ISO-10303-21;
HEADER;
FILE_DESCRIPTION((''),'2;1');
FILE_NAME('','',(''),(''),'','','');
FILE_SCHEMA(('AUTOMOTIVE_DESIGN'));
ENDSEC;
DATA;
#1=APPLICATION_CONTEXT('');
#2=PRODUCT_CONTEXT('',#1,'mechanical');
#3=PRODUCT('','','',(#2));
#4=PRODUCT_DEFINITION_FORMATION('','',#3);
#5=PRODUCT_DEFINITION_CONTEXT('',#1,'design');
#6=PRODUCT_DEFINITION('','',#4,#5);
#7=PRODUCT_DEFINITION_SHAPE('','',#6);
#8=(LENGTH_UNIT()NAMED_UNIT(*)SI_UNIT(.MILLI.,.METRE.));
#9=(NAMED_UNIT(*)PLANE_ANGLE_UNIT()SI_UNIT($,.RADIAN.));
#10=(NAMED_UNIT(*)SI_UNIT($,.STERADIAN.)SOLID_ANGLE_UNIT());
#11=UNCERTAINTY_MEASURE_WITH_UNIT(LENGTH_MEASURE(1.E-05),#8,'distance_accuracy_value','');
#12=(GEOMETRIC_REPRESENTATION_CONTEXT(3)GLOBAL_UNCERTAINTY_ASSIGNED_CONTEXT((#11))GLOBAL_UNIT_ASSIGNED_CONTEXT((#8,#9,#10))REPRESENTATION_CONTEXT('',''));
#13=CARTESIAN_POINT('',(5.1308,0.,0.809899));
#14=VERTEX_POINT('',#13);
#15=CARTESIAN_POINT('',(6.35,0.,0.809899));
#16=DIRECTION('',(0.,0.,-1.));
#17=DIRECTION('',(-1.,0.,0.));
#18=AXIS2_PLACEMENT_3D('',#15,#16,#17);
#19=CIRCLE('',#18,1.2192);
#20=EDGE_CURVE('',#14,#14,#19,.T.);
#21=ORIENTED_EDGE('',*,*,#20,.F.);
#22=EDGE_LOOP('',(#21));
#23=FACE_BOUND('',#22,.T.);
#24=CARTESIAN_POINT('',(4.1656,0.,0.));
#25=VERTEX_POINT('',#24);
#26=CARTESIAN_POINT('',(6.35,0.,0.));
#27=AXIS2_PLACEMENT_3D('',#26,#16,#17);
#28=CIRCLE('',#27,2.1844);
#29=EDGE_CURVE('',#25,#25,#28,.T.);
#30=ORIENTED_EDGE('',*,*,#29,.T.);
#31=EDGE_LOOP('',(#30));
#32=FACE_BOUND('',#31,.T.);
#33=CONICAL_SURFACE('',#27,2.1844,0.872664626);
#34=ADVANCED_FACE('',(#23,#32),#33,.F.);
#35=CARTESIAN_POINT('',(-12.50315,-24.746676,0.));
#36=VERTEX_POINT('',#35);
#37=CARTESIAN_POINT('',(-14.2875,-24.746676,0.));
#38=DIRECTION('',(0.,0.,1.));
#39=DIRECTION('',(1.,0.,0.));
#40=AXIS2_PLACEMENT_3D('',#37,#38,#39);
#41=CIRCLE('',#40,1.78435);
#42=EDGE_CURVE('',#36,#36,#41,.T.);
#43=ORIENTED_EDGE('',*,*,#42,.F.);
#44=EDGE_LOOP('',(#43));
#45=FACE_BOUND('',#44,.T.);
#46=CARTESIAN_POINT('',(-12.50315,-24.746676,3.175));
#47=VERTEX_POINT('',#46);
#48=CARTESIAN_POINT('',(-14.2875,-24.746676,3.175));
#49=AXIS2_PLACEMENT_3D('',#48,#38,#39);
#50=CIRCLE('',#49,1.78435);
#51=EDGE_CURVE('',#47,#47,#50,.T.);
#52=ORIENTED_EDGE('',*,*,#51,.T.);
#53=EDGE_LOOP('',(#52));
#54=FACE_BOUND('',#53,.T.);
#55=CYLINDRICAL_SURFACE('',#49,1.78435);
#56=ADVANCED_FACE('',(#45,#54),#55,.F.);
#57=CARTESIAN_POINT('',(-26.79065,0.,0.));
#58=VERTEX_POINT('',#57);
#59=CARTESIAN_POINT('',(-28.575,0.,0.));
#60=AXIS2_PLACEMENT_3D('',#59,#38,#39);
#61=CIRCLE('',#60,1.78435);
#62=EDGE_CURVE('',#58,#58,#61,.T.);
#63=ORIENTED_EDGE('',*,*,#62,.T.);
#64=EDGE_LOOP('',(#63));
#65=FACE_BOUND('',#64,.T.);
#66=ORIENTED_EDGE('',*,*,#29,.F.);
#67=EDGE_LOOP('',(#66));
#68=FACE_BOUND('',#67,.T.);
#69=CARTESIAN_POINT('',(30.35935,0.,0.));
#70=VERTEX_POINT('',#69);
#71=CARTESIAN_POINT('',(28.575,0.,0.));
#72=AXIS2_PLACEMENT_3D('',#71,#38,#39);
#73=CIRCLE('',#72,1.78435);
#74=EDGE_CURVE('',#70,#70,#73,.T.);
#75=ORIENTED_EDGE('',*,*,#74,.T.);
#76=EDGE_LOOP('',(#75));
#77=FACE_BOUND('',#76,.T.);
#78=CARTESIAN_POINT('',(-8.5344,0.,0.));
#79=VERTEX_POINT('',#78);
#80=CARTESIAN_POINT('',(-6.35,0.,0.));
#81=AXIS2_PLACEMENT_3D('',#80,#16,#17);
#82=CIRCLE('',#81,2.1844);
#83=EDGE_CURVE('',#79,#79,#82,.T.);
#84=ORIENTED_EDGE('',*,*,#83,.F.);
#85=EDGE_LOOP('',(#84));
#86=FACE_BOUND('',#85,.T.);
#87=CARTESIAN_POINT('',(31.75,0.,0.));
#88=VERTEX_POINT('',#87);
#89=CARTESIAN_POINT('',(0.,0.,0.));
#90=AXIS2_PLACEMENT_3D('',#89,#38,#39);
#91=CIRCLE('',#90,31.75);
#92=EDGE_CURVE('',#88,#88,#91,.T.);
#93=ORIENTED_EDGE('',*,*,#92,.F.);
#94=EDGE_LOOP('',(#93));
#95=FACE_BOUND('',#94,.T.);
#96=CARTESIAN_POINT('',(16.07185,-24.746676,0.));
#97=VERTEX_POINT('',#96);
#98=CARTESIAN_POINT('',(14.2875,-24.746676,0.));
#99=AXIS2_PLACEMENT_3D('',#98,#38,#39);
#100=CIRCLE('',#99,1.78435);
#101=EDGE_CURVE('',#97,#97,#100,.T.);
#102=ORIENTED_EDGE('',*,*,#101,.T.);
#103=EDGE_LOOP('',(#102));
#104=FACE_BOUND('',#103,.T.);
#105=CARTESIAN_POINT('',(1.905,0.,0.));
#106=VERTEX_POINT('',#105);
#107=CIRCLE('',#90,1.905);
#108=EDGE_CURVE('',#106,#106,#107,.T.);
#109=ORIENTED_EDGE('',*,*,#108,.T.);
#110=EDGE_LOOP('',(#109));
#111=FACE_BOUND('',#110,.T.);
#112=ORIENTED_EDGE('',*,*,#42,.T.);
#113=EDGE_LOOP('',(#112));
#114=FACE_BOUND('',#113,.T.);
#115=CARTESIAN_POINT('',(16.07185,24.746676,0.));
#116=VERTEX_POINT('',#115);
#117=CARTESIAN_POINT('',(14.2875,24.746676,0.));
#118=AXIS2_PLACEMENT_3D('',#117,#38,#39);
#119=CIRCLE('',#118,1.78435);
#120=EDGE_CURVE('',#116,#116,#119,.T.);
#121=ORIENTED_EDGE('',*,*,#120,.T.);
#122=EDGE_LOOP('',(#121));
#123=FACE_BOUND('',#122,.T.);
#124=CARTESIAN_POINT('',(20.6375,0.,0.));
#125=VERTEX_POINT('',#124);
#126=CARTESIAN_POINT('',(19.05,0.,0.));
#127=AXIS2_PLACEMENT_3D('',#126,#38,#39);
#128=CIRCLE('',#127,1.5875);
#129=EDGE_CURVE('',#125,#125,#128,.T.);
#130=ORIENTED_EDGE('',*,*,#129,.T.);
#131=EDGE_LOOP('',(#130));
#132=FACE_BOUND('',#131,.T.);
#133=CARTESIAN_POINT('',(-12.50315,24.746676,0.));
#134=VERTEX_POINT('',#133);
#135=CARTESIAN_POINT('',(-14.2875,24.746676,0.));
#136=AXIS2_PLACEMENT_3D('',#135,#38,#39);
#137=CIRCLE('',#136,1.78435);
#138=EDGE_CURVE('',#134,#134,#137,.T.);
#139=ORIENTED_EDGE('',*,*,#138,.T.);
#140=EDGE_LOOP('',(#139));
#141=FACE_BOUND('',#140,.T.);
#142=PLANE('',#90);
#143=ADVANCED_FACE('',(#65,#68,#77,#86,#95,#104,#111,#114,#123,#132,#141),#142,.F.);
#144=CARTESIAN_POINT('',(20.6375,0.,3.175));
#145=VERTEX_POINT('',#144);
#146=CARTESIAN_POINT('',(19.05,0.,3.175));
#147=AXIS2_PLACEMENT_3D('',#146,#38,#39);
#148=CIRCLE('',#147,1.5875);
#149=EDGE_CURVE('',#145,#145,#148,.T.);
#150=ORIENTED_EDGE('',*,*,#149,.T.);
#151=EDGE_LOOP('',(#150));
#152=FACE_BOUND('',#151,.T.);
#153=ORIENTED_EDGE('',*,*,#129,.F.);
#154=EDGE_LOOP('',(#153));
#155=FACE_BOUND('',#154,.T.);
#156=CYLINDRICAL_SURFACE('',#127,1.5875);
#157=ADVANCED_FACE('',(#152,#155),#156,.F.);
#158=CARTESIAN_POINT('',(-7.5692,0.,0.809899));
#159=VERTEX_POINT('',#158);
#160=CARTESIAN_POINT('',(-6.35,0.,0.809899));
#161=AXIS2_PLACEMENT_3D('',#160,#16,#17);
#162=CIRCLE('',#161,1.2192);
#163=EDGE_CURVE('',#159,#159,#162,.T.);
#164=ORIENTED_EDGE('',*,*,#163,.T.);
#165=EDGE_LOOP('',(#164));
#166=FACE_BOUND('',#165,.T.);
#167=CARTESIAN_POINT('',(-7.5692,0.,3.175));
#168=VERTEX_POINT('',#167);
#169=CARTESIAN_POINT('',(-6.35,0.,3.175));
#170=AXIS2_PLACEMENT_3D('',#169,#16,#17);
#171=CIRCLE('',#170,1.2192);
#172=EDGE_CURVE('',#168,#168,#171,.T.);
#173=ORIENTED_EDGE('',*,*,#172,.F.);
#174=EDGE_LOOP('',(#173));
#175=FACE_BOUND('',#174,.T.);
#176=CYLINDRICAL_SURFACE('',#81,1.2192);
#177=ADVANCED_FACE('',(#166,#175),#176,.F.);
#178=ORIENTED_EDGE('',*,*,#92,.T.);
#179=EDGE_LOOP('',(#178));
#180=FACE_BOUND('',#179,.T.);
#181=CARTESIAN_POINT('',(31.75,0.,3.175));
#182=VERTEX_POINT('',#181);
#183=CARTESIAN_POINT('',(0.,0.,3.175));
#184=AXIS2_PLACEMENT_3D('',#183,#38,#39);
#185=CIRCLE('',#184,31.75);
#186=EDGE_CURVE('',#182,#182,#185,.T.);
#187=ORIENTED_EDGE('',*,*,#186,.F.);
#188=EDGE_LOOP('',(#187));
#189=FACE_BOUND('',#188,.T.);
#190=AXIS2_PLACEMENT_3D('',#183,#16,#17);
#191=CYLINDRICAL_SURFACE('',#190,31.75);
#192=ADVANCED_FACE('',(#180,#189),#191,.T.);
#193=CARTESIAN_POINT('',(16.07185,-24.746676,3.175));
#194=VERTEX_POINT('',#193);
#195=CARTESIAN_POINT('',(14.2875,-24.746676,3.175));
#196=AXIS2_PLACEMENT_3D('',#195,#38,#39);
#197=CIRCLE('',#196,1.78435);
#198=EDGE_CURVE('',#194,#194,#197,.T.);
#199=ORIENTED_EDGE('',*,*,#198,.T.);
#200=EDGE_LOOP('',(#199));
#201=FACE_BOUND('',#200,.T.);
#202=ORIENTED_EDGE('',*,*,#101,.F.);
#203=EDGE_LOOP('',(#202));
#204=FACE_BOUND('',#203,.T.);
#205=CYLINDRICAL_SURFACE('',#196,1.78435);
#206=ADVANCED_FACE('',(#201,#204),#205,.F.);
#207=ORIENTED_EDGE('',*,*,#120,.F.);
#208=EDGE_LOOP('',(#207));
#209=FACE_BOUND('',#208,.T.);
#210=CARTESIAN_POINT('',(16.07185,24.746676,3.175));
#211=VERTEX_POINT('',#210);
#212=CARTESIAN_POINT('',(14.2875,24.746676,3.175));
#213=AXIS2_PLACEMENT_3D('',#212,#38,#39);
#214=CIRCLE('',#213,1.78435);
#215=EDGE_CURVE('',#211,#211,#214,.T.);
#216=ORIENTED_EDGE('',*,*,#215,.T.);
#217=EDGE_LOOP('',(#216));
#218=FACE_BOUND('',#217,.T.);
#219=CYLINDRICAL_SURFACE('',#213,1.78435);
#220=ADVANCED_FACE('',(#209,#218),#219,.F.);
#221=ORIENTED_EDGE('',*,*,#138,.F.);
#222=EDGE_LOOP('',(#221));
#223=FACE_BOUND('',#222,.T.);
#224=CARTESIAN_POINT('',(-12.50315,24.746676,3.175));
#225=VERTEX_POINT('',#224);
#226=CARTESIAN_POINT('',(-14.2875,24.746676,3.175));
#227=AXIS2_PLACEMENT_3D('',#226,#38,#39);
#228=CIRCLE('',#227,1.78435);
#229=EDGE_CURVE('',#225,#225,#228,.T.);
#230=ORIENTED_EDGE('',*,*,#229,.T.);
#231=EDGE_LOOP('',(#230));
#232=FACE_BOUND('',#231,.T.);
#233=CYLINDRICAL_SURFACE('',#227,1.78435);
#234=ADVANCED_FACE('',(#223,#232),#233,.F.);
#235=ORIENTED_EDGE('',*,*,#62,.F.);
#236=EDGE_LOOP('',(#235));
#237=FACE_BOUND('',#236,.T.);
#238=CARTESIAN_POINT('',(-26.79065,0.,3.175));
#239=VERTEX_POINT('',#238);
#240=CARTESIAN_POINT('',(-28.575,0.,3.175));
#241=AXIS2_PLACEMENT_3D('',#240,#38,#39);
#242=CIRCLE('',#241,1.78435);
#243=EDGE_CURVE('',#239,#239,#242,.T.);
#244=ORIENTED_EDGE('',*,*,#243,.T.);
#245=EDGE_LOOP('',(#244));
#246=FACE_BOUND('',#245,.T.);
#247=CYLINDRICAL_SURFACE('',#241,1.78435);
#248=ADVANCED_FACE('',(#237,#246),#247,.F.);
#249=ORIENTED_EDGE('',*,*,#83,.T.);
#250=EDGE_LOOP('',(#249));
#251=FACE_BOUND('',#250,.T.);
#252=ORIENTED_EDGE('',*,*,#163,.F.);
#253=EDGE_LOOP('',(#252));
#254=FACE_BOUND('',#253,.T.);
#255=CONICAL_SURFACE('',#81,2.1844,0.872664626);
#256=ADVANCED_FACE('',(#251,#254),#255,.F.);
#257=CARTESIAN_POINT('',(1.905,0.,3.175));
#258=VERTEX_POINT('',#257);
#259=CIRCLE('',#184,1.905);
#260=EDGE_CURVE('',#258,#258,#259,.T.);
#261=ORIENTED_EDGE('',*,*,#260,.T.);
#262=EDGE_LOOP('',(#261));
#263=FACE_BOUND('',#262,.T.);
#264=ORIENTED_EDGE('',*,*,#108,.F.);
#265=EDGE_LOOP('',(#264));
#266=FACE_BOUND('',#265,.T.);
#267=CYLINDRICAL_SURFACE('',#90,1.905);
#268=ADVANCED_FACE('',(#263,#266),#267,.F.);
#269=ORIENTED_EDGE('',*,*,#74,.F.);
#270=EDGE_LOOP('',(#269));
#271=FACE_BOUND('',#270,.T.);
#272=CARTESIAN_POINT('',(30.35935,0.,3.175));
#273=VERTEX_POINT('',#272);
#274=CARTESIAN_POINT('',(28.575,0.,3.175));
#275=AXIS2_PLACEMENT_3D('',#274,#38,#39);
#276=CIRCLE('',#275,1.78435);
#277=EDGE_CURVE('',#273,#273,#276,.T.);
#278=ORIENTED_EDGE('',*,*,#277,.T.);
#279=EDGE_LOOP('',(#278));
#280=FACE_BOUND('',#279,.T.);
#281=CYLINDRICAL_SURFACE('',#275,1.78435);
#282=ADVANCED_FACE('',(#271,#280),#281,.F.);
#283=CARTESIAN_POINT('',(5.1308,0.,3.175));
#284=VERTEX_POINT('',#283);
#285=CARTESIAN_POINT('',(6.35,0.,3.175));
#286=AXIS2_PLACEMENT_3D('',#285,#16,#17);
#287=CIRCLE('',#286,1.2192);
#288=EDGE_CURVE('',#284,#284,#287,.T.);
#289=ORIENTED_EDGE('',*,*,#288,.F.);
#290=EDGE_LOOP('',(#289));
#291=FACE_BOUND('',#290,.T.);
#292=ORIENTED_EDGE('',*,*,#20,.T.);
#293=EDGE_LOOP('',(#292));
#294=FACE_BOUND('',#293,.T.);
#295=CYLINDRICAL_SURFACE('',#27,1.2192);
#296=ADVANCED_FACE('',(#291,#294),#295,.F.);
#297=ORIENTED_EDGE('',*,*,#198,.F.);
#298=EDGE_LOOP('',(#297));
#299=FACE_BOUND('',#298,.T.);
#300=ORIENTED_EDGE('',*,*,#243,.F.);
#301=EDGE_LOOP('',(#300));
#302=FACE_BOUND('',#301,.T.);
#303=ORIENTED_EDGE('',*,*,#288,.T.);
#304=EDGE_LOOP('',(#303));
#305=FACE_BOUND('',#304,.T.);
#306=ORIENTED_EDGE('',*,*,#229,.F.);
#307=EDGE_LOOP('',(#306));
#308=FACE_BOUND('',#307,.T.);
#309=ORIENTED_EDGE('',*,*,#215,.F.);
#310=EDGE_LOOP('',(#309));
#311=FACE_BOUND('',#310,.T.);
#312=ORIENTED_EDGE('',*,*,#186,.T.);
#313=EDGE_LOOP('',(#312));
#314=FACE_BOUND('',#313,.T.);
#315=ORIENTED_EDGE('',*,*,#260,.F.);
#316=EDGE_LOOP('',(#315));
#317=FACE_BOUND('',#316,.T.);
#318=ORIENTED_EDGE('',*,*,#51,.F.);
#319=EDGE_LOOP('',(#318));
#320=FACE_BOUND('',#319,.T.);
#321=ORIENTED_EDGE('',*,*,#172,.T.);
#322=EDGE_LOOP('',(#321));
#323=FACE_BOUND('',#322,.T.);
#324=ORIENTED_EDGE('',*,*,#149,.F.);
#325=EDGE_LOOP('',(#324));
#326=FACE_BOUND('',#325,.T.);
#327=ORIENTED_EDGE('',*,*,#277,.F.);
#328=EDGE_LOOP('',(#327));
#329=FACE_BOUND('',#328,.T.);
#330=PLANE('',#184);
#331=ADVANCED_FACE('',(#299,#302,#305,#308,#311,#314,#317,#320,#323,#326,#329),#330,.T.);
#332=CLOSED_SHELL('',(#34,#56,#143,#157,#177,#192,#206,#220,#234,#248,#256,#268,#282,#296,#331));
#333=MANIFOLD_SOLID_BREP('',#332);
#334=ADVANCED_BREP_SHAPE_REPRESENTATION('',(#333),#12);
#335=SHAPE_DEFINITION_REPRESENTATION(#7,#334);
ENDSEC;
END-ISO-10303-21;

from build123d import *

# Parameters (mm, degrees)
SKETCH1_R                                         = 31.75
BOSS_EXTRUDE1_DEPTH                               = 3.175
CIRPATTERN1_COUNT                                 = 6
SKETCH5_R                                         = 1.905
CUT_EXTRUDE1_DEPTH                                = 4.175
CSK_FOR_2_FLAT_HEAD_MACHINE_SCREW_100_D           = 2.4384
CSK_FOR_2_FLAT_HEAD_MACHINE_SCREW_100_CSINK_D     = 4.3688
CSK_FOR_2_FLAT_HEAD_MACHINE_SCREW_100_CSINK_ANGLE = 100
SKETCH8_R                                         = 1.5875
CUT_EXTRUDE2_DEPTH                                = 4.175


with BuildPart() as part:
    # Sketch1 → Boss-Extrude1 (new body)
    with BuildSketch(Plane.XY):
        Circle(SKETCH1_R)
    extrude(amount=BOSS_EXTRUDE1_DEPTH)

    # Sketch4 → #28 (0.1405) Diameter Hole1 (revolve, cut)
    with BuildSketch(Plane(origin=(14.2875, 24.746675913, 3.175), x_dir=(0, -1, 0), z_dir=(1, 0, 0))):
        Polygon((0, 0), (0, 26.472145646), (1.78435, 25.4), (1.78435, 0), align=None)
    f_28_0_1405_diameter_hole1 = revolve(axis=Axis((14.2875, 24.746675913, 9.525), (0, 0, -1)), mode=Mode.SUBTRACT)

    # CirPattern1: #28 (0.1405) Diameter Hole1 ×6 about axis
    cirpattern1_axis = Axis((0, 0, 0), (0, 0, 1))
    for i in range(1, CIRPATTERN1_COUNT):
        add(f_28_0_1405_diameter_hole1.rotate(cirpattern1_axis, i * 360 / CIRPATTERN1_COUNT), mode=Mode.SUBTRACT)

    # Sketch5 → Cut-Extrude1 (cut, through all)
    with BuildSketch(Plane.XY.offset(3.175)):
        Circle(SKETCH5_R)
    extrude(amount=-CUT_EXTRUDE1_DEPTH, mode=Mode.SUBTRACT)

    # CSK for #2 Flat Head Machine Screw (100)1 (through all)
    with Locations(Plane(origin=(0, 0, 0), x_dir=(-1, 0, 0), z_dir=(0, 0, -1))):
        with Locations((6.35, 0), (-6.35, 0)):
            CounterSinkHole(CSK_FOR_2_FLAT_HEAD_MACHINE_SCREW_100_D / 2, CSK_FOR_2_FLAT_HEAD_MACHINE_SCREW_100_CSINK_D / 2, counter_sink_angle=CSK_FOR_2_FLAT_HEAD_MACHINE_SCREW_100_CSINK_ANGLE)

    # Sketch8 → Cut-Extrude2 (cut, through all)
    with BuildSketch(Plane.XY.offset(3.175)):
        with Locations((19.05, 0)):
            Circle(SKETCH8_R)
    extrude(amount=-CUT_EXTRUDE2_DEPTH, mode=Mode.SUBTRACT)


solid = part.part
